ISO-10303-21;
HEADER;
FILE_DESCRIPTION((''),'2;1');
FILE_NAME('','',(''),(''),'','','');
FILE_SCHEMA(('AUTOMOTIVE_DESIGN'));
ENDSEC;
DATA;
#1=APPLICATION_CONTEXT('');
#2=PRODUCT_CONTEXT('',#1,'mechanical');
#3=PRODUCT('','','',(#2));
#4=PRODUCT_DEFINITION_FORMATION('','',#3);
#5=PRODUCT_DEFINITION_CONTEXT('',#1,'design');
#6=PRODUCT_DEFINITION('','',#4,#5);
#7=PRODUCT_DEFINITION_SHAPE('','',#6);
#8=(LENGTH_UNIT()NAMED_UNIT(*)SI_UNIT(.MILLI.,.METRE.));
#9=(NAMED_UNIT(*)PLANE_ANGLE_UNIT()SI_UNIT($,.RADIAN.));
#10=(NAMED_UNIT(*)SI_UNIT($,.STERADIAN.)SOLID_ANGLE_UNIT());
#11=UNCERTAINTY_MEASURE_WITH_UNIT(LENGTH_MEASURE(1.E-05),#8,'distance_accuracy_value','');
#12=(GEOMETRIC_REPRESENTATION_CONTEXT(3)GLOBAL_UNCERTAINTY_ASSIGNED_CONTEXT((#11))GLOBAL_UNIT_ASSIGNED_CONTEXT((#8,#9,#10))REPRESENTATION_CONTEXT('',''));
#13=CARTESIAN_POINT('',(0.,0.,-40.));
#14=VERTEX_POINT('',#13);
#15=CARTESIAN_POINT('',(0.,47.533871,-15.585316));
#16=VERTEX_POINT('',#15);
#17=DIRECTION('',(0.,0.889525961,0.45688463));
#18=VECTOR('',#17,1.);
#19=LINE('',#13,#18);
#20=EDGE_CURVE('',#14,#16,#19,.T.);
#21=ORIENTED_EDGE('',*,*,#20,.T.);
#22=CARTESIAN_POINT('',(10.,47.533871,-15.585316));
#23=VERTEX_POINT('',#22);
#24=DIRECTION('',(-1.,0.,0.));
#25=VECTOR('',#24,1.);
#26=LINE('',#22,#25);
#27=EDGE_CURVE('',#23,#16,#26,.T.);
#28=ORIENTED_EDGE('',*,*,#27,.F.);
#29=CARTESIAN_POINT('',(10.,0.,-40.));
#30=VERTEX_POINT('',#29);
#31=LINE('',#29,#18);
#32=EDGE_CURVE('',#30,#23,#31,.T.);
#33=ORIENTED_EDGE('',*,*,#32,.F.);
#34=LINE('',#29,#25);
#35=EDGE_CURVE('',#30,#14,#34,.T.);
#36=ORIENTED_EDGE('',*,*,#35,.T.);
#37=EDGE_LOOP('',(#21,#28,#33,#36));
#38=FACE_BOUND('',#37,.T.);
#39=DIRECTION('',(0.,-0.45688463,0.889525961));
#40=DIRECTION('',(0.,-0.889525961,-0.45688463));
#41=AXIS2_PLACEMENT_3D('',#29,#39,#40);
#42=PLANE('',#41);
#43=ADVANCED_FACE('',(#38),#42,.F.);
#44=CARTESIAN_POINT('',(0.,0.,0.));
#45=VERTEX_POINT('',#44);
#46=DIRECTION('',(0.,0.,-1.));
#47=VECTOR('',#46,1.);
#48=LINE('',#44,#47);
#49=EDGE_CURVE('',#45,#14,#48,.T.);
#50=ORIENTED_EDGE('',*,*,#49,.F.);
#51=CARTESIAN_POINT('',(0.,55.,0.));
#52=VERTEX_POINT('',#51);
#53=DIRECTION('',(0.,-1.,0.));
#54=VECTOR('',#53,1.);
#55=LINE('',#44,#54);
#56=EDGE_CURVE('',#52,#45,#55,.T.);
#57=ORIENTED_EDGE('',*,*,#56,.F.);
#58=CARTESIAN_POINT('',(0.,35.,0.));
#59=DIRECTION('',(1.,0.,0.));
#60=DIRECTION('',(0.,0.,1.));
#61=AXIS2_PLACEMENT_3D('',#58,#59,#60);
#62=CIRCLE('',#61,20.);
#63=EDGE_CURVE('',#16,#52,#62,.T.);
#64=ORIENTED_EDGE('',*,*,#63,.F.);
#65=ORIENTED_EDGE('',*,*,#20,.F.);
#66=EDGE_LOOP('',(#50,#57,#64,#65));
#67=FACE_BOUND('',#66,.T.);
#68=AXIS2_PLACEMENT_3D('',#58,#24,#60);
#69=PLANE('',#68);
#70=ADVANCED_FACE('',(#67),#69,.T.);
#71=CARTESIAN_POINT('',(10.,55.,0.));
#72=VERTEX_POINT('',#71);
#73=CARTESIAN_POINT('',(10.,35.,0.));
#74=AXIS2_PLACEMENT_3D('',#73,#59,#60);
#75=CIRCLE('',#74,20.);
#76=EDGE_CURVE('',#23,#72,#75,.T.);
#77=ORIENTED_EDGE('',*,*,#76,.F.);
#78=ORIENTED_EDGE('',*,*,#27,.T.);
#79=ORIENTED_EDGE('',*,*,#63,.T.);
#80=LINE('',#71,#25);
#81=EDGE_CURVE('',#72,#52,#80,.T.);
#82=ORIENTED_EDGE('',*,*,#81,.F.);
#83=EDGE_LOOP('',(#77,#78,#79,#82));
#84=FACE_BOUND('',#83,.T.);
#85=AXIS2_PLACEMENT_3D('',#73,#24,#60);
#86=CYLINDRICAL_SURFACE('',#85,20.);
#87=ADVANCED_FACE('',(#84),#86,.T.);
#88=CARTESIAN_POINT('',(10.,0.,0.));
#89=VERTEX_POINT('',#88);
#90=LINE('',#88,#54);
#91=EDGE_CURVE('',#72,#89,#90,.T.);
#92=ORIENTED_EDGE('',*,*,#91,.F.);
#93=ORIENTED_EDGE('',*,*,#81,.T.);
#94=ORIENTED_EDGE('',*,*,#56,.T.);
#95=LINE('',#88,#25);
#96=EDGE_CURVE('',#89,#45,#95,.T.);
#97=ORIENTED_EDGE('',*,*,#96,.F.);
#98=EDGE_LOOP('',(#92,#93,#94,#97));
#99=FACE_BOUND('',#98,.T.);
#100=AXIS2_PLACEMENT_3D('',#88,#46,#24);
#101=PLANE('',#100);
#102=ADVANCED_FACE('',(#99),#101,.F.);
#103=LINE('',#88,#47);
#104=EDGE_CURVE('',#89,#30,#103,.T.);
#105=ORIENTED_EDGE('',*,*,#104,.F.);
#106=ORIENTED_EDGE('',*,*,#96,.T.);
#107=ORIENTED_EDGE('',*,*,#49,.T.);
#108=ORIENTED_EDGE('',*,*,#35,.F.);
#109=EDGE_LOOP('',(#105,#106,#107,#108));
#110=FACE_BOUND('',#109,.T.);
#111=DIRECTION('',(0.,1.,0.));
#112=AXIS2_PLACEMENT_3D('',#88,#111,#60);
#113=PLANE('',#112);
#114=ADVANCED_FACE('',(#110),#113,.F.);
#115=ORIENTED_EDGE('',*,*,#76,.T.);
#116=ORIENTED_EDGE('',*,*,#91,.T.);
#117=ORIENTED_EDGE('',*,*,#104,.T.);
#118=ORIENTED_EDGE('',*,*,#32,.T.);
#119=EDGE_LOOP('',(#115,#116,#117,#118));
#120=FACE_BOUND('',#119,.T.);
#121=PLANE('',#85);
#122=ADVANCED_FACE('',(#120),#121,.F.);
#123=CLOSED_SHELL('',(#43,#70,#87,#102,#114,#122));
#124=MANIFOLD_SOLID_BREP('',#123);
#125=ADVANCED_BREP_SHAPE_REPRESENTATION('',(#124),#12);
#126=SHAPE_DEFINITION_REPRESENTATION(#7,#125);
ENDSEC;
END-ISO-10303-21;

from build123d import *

# Parameters (mm, degrees)
BOSS_EXTRUDE1_DEPTH = 10


with BuildPart() as part:
    # Sketch2 → Boss-Extrude1 (new body)
    with BuildSketch(Plane(origin=(0, 0, 0), x_dir=(0, 0, -1), z_dir=(1, 0, 0))):
        with BuildLine():
            Line((0, 0), (40, 0))
            Line((40, 0), (15.585316345, 47.533870688))
            ThreePointArc((15.585316345, 47.533870688), (8.640676659, 53.03714797), (0, 55))
            Line((0, 55), (0, 0))
        make_face()
    extrude(amount=BOSS_EXTRUDE1_DEPTH)


solid = part.part
